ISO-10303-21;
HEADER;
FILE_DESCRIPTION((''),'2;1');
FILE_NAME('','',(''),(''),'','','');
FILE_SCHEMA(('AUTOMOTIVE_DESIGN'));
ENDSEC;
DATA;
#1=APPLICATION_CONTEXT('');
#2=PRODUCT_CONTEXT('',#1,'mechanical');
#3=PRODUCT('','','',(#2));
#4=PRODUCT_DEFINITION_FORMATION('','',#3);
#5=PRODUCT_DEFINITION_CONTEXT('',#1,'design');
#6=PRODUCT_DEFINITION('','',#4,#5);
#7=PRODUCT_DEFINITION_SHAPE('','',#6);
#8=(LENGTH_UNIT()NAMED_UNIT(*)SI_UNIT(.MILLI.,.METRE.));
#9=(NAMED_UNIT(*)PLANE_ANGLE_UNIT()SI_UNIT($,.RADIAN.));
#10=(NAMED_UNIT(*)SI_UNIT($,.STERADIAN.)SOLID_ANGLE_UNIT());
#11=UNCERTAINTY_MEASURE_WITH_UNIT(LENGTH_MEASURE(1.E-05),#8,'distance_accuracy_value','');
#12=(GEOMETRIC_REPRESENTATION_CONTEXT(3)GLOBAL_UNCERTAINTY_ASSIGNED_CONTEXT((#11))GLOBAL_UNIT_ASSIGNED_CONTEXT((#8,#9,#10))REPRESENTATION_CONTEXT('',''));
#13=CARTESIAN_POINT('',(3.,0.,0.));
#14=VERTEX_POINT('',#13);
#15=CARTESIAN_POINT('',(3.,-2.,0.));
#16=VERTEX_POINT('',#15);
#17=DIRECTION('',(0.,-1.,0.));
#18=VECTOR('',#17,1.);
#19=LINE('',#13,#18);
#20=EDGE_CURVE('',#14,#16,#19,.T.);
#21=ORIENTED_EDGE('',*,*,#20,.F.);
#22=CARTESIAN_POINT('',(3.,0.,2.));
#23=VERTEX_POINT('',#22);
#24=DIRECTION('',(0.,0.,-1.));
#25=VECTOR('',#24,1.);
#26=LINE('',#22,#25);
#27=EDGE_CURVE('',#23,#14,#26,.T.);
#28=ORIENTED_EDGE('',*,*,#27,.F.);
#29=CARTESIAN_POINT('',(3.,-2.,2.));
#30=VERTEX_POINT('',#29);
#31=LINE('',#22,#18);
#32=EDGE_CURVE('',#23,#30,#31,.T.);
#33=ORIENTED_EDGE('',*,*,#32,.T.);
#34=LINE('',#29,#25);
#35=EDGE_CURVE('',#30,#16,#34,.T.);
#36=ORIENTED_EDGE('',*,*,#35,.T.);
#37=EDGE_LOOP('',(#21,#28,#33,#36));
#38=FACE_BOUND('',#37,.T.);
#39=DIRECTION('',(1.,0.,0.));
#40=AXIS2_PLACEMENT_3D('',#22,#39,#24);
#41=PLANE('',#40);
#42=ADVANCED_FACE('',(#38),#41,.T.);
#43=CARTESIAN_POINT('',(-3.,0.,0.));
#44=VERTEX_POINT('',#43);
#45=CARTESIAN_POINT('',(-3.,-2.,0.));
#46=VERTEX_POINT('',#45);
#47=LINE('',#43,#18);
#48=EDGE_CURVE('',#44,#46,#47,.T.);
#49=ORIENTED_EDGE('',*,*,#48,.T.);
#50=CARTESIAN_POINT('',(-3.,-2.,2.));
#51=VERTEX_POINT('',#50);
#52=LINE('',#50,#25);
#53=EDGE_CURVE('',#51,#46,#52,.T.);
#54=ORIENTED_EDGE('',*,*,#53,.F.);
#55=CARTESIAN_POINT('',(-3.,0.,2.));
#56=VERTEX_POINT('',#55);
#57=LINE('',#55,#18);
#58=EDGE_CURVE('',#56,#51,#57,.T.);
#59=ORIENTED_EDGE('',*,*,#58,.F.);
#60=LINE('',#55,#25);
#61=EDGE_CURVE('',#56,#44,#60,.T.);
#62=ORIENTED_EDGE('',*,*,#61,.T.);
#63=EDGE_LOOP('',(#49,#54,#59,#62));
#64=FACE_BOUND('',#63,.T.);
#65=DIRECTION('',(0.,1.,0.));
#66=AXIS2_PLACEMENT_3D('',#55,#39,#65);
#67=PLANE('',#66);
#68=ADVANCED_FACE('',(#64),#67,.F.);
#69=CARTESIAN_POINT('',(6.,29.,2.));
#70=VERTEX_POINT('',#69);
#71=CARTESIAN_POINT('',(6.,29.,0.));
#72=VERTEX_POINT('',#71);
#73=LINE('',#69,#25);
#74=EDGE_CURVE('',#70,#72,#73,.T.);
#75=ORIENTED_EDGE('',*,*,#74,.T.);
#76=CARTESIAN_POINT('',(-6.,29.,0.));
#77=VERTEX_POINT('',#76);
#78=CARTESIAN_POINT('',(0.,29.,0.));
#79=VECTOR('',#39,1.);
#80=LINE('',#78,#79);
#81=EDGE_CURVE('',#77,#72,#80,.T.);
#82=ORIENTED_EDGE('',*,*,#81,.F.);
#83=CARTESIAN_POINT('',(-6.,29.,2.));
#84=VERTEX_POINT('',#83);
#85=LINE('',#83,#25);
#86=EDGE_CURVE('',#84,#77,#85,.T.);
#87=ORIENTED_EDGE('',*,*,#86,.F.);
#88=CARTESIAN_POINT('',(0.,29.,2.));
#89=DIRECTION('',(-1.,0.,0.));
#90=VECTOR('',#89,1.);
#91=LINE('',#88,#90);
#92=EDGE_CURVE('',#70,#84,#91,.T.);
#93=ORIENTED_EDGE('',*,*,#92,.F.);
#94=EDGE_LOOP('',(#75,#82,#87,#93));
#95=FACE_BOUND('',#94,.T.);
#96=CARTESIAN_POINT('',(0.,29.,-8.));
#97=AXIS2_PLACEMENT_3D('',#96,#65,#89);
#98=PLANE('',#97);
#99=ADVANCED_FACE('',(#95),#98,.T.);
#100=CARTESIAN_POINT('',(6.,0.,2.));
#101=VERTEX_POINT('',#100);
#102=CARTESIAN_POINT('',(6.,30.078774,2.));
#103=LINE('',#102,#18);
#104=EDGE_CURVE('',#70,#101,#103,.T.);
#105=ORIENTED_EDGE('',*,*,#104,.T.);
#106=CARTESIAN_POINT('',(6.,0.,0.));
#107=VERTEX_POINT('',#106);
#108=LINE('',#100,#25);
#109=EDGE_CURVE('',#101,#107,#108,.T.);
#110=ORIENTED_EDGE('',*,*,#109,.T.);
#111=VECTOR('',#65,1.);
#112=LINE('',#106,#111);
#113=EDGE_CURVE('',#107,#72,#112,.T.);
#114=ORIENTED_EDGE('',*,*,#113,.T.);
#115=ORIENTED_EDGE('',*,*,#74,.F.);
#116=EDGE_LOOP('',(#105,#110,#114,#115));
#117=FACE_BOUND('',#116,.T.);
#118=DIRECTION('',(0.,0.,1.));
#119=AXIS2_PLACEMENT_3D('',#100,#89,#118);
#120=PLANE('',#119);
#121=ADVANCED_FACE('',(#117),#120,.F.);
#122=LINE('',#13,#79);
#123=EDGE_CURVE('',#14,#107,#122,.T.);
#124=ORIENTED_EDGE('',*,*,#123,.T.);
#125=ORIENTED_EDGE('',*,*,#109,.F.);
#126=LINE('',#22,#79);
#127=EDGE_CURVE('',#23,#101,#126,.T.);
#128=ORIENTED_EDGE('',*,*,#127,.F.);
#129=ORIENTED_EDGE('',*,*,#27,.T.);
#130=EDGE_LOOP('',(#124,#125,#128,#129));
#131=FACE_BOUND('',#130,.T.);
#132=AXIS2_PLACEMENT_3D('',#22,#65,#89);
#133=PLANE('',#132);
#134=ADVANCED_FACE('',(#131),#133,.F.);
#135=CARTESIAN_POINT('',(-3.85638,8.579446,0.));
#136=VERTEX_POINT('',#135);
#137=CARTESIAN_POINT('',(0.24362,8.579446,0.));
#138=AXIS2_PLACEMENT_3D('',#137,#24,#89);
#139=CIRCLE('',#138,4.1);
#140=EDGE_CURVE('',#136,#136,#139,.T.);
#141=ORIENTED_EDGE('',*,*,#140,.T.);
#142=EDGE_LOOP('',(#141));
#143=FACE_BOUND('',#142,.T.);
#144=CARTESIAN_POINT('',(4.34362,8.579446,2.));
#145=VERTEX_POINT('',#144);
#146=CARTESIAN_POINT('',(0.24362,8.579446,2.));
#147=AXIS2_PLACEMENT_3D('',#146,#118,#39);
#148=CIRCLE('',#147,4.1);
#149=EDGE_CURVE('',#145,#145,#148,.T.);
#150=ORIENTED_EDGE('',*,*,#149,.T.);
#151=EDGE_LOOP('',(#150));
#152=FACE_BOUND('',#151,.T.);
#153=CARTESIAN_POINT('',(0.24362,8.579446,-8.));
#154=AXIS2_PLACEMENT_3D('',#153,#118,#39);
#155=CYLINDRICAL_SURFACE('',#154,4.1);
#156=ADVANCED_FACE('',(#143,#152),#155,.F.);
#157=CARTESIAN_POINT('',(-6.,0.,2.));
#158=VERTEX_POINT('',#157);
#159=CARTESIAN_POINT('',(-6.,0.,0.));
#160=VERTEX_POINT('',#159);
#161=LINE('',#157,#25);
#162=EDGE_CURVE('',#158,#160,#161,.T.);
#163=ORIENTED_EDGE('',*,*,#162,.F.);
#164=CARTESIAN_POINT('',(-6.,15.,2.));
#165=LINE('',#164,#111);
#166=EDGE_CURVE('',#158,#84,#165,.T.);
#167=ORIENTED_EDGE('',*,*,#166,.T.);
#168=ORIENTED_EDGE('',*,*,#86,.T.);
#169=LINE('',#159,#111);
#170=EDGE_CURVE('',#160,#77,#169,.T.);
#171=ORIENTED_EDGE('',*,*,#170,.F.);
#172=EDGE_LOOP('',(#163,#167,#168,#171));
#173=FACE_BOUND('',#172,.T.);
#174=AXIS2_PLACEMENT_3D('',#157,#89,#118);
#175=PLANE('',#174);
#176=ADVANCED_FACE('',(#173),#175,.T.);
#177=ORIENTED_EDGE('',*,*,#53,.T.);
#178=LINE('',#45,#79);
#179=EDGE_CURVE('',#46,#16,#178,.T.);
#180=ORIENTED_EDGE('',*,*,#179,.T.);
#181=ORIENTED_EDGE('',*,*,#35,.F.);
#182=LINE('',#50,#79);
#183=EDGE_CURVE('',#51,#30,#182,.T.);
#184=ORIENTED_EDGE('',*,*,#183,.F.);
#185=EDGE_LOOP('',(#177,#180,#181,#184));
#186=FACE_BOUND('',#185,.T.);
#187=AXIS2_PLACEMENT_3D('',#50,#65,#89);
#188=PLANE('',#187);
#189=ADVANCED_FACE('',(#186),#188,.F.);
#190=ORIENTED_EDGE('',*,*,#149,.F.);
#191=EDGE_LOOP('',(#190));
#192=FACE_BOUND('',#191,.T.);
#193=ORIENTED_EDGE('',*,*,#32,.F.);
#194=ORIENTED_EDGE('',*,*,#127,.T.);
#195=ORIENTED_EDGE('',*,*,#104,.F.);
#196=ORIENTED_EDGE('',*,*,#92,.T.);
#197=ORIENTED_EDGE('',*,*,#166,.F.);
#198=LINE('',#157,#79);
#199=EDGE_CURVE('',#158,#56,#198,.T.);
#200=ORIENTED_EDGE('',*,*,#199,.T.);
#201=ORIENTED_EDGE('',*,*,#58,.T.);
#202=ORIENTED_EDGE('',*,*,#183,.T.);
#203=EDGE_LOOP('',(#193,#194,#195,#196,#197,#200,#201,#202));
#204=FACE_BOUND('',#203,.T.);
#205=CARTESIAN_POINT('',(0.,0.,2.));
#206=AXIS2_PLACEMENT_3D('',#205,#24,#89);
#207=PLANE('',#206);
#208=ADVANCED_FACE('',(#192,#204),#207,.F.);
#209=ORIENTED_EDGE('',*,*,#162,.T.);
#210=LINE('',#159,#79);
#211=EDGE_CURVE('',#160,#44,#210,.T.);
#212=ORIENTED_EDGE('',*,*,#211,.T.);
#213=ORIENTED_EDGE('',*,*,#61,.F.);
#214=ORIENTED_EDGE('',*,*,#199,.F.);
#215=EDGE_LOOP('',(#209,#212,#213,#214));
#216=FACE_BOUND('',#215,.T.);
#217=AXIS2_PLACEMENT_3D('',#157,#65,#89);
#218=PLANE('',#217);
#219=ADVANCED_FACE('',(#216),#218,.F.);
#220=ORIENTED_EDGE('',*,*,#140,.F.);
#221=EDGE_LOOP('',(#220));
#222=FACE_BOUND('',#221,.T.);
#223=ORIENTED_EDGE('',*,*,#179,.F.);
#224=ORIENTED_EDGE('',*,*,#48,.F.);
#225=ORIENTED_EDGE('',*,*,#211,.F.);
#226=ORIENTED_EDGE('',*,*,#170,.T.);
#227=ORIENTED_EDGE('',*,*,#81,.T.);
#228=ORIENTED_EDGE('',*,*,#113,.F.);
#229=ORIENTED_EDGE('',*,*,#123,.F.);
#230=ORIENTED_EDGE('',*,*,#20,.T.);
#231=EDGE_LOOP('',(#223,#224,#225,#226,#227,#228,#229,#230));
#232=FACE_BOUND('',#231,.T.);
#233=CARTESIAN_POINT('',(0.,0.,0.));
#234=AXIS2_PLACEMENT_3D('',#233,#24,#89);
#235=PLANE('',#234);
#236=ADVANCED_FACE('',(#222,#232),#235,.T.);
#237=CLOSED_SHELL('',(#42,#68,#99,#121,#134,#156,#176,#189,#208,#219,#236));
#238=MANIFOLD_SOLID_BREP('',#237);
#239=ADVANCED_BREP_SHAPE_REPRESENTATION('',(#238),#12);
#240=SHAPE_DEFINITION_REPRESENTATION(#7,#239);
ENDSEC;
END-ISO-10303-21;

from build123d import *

# Parameters (mm, degrees)
EXTRUDE_1_DEPTH     = 2
SKETCH_2_R          = 4.1
CUT_EXTRUDE_1_DEPTH = 10
SKETCH_3_W          = 12
SKETCH_3_H          = 1.078774048
CUT_EXTRUDE_2_DEPTH = 10


with BuildPart() as part:
    # 草图1 → 凸台-拉伸1 (new body)
    with BuildSketch(Plane.XY):
        Polygon((-6, 0), (-6, 15), (-6, 30.078774409), (6, 30.078774409), (6, 15), (6, 0), (3, 0), (3, -2), (-3, -2), (-3, 0), align=None)
    extrude(amount=EXTRUDE_1_DEPTH)

    # 草图2 → 切除-拉伸1 (cut)
    with BuildSketch(Plane.XY.offset(2)):
        with Locations((0.243619751, 8.579446227)):
            Circle(SKETCH_2_R)
    extrude(amount=-CUT_EXTRUDE_1_DEPTH, mode=Mode.SUBTRACT)

    # 草图3 → 切除-拉伸2 (cut)
    with BuildSketch(Plane.XY.offset(2)):
        with Locations((0, 29.539387385)):
            Rectangle(SKETCH_3_W, SKETCH_3_H)
        Polygon((6, 29.000000361), (10.298878861, 29.000000361), (10.298878861, 34.143483695), (-9.585000786, 34.143483695), (-9.585000786, 29.000000361), (-6, 29.000000361), (-6, 30.078774409), (6, 30.078774409), align=None)
    extrude(amount=-CUT_EXTRUDE_2_DEPTH, mode=Mode.SUBTRACT)


solid = part.part
